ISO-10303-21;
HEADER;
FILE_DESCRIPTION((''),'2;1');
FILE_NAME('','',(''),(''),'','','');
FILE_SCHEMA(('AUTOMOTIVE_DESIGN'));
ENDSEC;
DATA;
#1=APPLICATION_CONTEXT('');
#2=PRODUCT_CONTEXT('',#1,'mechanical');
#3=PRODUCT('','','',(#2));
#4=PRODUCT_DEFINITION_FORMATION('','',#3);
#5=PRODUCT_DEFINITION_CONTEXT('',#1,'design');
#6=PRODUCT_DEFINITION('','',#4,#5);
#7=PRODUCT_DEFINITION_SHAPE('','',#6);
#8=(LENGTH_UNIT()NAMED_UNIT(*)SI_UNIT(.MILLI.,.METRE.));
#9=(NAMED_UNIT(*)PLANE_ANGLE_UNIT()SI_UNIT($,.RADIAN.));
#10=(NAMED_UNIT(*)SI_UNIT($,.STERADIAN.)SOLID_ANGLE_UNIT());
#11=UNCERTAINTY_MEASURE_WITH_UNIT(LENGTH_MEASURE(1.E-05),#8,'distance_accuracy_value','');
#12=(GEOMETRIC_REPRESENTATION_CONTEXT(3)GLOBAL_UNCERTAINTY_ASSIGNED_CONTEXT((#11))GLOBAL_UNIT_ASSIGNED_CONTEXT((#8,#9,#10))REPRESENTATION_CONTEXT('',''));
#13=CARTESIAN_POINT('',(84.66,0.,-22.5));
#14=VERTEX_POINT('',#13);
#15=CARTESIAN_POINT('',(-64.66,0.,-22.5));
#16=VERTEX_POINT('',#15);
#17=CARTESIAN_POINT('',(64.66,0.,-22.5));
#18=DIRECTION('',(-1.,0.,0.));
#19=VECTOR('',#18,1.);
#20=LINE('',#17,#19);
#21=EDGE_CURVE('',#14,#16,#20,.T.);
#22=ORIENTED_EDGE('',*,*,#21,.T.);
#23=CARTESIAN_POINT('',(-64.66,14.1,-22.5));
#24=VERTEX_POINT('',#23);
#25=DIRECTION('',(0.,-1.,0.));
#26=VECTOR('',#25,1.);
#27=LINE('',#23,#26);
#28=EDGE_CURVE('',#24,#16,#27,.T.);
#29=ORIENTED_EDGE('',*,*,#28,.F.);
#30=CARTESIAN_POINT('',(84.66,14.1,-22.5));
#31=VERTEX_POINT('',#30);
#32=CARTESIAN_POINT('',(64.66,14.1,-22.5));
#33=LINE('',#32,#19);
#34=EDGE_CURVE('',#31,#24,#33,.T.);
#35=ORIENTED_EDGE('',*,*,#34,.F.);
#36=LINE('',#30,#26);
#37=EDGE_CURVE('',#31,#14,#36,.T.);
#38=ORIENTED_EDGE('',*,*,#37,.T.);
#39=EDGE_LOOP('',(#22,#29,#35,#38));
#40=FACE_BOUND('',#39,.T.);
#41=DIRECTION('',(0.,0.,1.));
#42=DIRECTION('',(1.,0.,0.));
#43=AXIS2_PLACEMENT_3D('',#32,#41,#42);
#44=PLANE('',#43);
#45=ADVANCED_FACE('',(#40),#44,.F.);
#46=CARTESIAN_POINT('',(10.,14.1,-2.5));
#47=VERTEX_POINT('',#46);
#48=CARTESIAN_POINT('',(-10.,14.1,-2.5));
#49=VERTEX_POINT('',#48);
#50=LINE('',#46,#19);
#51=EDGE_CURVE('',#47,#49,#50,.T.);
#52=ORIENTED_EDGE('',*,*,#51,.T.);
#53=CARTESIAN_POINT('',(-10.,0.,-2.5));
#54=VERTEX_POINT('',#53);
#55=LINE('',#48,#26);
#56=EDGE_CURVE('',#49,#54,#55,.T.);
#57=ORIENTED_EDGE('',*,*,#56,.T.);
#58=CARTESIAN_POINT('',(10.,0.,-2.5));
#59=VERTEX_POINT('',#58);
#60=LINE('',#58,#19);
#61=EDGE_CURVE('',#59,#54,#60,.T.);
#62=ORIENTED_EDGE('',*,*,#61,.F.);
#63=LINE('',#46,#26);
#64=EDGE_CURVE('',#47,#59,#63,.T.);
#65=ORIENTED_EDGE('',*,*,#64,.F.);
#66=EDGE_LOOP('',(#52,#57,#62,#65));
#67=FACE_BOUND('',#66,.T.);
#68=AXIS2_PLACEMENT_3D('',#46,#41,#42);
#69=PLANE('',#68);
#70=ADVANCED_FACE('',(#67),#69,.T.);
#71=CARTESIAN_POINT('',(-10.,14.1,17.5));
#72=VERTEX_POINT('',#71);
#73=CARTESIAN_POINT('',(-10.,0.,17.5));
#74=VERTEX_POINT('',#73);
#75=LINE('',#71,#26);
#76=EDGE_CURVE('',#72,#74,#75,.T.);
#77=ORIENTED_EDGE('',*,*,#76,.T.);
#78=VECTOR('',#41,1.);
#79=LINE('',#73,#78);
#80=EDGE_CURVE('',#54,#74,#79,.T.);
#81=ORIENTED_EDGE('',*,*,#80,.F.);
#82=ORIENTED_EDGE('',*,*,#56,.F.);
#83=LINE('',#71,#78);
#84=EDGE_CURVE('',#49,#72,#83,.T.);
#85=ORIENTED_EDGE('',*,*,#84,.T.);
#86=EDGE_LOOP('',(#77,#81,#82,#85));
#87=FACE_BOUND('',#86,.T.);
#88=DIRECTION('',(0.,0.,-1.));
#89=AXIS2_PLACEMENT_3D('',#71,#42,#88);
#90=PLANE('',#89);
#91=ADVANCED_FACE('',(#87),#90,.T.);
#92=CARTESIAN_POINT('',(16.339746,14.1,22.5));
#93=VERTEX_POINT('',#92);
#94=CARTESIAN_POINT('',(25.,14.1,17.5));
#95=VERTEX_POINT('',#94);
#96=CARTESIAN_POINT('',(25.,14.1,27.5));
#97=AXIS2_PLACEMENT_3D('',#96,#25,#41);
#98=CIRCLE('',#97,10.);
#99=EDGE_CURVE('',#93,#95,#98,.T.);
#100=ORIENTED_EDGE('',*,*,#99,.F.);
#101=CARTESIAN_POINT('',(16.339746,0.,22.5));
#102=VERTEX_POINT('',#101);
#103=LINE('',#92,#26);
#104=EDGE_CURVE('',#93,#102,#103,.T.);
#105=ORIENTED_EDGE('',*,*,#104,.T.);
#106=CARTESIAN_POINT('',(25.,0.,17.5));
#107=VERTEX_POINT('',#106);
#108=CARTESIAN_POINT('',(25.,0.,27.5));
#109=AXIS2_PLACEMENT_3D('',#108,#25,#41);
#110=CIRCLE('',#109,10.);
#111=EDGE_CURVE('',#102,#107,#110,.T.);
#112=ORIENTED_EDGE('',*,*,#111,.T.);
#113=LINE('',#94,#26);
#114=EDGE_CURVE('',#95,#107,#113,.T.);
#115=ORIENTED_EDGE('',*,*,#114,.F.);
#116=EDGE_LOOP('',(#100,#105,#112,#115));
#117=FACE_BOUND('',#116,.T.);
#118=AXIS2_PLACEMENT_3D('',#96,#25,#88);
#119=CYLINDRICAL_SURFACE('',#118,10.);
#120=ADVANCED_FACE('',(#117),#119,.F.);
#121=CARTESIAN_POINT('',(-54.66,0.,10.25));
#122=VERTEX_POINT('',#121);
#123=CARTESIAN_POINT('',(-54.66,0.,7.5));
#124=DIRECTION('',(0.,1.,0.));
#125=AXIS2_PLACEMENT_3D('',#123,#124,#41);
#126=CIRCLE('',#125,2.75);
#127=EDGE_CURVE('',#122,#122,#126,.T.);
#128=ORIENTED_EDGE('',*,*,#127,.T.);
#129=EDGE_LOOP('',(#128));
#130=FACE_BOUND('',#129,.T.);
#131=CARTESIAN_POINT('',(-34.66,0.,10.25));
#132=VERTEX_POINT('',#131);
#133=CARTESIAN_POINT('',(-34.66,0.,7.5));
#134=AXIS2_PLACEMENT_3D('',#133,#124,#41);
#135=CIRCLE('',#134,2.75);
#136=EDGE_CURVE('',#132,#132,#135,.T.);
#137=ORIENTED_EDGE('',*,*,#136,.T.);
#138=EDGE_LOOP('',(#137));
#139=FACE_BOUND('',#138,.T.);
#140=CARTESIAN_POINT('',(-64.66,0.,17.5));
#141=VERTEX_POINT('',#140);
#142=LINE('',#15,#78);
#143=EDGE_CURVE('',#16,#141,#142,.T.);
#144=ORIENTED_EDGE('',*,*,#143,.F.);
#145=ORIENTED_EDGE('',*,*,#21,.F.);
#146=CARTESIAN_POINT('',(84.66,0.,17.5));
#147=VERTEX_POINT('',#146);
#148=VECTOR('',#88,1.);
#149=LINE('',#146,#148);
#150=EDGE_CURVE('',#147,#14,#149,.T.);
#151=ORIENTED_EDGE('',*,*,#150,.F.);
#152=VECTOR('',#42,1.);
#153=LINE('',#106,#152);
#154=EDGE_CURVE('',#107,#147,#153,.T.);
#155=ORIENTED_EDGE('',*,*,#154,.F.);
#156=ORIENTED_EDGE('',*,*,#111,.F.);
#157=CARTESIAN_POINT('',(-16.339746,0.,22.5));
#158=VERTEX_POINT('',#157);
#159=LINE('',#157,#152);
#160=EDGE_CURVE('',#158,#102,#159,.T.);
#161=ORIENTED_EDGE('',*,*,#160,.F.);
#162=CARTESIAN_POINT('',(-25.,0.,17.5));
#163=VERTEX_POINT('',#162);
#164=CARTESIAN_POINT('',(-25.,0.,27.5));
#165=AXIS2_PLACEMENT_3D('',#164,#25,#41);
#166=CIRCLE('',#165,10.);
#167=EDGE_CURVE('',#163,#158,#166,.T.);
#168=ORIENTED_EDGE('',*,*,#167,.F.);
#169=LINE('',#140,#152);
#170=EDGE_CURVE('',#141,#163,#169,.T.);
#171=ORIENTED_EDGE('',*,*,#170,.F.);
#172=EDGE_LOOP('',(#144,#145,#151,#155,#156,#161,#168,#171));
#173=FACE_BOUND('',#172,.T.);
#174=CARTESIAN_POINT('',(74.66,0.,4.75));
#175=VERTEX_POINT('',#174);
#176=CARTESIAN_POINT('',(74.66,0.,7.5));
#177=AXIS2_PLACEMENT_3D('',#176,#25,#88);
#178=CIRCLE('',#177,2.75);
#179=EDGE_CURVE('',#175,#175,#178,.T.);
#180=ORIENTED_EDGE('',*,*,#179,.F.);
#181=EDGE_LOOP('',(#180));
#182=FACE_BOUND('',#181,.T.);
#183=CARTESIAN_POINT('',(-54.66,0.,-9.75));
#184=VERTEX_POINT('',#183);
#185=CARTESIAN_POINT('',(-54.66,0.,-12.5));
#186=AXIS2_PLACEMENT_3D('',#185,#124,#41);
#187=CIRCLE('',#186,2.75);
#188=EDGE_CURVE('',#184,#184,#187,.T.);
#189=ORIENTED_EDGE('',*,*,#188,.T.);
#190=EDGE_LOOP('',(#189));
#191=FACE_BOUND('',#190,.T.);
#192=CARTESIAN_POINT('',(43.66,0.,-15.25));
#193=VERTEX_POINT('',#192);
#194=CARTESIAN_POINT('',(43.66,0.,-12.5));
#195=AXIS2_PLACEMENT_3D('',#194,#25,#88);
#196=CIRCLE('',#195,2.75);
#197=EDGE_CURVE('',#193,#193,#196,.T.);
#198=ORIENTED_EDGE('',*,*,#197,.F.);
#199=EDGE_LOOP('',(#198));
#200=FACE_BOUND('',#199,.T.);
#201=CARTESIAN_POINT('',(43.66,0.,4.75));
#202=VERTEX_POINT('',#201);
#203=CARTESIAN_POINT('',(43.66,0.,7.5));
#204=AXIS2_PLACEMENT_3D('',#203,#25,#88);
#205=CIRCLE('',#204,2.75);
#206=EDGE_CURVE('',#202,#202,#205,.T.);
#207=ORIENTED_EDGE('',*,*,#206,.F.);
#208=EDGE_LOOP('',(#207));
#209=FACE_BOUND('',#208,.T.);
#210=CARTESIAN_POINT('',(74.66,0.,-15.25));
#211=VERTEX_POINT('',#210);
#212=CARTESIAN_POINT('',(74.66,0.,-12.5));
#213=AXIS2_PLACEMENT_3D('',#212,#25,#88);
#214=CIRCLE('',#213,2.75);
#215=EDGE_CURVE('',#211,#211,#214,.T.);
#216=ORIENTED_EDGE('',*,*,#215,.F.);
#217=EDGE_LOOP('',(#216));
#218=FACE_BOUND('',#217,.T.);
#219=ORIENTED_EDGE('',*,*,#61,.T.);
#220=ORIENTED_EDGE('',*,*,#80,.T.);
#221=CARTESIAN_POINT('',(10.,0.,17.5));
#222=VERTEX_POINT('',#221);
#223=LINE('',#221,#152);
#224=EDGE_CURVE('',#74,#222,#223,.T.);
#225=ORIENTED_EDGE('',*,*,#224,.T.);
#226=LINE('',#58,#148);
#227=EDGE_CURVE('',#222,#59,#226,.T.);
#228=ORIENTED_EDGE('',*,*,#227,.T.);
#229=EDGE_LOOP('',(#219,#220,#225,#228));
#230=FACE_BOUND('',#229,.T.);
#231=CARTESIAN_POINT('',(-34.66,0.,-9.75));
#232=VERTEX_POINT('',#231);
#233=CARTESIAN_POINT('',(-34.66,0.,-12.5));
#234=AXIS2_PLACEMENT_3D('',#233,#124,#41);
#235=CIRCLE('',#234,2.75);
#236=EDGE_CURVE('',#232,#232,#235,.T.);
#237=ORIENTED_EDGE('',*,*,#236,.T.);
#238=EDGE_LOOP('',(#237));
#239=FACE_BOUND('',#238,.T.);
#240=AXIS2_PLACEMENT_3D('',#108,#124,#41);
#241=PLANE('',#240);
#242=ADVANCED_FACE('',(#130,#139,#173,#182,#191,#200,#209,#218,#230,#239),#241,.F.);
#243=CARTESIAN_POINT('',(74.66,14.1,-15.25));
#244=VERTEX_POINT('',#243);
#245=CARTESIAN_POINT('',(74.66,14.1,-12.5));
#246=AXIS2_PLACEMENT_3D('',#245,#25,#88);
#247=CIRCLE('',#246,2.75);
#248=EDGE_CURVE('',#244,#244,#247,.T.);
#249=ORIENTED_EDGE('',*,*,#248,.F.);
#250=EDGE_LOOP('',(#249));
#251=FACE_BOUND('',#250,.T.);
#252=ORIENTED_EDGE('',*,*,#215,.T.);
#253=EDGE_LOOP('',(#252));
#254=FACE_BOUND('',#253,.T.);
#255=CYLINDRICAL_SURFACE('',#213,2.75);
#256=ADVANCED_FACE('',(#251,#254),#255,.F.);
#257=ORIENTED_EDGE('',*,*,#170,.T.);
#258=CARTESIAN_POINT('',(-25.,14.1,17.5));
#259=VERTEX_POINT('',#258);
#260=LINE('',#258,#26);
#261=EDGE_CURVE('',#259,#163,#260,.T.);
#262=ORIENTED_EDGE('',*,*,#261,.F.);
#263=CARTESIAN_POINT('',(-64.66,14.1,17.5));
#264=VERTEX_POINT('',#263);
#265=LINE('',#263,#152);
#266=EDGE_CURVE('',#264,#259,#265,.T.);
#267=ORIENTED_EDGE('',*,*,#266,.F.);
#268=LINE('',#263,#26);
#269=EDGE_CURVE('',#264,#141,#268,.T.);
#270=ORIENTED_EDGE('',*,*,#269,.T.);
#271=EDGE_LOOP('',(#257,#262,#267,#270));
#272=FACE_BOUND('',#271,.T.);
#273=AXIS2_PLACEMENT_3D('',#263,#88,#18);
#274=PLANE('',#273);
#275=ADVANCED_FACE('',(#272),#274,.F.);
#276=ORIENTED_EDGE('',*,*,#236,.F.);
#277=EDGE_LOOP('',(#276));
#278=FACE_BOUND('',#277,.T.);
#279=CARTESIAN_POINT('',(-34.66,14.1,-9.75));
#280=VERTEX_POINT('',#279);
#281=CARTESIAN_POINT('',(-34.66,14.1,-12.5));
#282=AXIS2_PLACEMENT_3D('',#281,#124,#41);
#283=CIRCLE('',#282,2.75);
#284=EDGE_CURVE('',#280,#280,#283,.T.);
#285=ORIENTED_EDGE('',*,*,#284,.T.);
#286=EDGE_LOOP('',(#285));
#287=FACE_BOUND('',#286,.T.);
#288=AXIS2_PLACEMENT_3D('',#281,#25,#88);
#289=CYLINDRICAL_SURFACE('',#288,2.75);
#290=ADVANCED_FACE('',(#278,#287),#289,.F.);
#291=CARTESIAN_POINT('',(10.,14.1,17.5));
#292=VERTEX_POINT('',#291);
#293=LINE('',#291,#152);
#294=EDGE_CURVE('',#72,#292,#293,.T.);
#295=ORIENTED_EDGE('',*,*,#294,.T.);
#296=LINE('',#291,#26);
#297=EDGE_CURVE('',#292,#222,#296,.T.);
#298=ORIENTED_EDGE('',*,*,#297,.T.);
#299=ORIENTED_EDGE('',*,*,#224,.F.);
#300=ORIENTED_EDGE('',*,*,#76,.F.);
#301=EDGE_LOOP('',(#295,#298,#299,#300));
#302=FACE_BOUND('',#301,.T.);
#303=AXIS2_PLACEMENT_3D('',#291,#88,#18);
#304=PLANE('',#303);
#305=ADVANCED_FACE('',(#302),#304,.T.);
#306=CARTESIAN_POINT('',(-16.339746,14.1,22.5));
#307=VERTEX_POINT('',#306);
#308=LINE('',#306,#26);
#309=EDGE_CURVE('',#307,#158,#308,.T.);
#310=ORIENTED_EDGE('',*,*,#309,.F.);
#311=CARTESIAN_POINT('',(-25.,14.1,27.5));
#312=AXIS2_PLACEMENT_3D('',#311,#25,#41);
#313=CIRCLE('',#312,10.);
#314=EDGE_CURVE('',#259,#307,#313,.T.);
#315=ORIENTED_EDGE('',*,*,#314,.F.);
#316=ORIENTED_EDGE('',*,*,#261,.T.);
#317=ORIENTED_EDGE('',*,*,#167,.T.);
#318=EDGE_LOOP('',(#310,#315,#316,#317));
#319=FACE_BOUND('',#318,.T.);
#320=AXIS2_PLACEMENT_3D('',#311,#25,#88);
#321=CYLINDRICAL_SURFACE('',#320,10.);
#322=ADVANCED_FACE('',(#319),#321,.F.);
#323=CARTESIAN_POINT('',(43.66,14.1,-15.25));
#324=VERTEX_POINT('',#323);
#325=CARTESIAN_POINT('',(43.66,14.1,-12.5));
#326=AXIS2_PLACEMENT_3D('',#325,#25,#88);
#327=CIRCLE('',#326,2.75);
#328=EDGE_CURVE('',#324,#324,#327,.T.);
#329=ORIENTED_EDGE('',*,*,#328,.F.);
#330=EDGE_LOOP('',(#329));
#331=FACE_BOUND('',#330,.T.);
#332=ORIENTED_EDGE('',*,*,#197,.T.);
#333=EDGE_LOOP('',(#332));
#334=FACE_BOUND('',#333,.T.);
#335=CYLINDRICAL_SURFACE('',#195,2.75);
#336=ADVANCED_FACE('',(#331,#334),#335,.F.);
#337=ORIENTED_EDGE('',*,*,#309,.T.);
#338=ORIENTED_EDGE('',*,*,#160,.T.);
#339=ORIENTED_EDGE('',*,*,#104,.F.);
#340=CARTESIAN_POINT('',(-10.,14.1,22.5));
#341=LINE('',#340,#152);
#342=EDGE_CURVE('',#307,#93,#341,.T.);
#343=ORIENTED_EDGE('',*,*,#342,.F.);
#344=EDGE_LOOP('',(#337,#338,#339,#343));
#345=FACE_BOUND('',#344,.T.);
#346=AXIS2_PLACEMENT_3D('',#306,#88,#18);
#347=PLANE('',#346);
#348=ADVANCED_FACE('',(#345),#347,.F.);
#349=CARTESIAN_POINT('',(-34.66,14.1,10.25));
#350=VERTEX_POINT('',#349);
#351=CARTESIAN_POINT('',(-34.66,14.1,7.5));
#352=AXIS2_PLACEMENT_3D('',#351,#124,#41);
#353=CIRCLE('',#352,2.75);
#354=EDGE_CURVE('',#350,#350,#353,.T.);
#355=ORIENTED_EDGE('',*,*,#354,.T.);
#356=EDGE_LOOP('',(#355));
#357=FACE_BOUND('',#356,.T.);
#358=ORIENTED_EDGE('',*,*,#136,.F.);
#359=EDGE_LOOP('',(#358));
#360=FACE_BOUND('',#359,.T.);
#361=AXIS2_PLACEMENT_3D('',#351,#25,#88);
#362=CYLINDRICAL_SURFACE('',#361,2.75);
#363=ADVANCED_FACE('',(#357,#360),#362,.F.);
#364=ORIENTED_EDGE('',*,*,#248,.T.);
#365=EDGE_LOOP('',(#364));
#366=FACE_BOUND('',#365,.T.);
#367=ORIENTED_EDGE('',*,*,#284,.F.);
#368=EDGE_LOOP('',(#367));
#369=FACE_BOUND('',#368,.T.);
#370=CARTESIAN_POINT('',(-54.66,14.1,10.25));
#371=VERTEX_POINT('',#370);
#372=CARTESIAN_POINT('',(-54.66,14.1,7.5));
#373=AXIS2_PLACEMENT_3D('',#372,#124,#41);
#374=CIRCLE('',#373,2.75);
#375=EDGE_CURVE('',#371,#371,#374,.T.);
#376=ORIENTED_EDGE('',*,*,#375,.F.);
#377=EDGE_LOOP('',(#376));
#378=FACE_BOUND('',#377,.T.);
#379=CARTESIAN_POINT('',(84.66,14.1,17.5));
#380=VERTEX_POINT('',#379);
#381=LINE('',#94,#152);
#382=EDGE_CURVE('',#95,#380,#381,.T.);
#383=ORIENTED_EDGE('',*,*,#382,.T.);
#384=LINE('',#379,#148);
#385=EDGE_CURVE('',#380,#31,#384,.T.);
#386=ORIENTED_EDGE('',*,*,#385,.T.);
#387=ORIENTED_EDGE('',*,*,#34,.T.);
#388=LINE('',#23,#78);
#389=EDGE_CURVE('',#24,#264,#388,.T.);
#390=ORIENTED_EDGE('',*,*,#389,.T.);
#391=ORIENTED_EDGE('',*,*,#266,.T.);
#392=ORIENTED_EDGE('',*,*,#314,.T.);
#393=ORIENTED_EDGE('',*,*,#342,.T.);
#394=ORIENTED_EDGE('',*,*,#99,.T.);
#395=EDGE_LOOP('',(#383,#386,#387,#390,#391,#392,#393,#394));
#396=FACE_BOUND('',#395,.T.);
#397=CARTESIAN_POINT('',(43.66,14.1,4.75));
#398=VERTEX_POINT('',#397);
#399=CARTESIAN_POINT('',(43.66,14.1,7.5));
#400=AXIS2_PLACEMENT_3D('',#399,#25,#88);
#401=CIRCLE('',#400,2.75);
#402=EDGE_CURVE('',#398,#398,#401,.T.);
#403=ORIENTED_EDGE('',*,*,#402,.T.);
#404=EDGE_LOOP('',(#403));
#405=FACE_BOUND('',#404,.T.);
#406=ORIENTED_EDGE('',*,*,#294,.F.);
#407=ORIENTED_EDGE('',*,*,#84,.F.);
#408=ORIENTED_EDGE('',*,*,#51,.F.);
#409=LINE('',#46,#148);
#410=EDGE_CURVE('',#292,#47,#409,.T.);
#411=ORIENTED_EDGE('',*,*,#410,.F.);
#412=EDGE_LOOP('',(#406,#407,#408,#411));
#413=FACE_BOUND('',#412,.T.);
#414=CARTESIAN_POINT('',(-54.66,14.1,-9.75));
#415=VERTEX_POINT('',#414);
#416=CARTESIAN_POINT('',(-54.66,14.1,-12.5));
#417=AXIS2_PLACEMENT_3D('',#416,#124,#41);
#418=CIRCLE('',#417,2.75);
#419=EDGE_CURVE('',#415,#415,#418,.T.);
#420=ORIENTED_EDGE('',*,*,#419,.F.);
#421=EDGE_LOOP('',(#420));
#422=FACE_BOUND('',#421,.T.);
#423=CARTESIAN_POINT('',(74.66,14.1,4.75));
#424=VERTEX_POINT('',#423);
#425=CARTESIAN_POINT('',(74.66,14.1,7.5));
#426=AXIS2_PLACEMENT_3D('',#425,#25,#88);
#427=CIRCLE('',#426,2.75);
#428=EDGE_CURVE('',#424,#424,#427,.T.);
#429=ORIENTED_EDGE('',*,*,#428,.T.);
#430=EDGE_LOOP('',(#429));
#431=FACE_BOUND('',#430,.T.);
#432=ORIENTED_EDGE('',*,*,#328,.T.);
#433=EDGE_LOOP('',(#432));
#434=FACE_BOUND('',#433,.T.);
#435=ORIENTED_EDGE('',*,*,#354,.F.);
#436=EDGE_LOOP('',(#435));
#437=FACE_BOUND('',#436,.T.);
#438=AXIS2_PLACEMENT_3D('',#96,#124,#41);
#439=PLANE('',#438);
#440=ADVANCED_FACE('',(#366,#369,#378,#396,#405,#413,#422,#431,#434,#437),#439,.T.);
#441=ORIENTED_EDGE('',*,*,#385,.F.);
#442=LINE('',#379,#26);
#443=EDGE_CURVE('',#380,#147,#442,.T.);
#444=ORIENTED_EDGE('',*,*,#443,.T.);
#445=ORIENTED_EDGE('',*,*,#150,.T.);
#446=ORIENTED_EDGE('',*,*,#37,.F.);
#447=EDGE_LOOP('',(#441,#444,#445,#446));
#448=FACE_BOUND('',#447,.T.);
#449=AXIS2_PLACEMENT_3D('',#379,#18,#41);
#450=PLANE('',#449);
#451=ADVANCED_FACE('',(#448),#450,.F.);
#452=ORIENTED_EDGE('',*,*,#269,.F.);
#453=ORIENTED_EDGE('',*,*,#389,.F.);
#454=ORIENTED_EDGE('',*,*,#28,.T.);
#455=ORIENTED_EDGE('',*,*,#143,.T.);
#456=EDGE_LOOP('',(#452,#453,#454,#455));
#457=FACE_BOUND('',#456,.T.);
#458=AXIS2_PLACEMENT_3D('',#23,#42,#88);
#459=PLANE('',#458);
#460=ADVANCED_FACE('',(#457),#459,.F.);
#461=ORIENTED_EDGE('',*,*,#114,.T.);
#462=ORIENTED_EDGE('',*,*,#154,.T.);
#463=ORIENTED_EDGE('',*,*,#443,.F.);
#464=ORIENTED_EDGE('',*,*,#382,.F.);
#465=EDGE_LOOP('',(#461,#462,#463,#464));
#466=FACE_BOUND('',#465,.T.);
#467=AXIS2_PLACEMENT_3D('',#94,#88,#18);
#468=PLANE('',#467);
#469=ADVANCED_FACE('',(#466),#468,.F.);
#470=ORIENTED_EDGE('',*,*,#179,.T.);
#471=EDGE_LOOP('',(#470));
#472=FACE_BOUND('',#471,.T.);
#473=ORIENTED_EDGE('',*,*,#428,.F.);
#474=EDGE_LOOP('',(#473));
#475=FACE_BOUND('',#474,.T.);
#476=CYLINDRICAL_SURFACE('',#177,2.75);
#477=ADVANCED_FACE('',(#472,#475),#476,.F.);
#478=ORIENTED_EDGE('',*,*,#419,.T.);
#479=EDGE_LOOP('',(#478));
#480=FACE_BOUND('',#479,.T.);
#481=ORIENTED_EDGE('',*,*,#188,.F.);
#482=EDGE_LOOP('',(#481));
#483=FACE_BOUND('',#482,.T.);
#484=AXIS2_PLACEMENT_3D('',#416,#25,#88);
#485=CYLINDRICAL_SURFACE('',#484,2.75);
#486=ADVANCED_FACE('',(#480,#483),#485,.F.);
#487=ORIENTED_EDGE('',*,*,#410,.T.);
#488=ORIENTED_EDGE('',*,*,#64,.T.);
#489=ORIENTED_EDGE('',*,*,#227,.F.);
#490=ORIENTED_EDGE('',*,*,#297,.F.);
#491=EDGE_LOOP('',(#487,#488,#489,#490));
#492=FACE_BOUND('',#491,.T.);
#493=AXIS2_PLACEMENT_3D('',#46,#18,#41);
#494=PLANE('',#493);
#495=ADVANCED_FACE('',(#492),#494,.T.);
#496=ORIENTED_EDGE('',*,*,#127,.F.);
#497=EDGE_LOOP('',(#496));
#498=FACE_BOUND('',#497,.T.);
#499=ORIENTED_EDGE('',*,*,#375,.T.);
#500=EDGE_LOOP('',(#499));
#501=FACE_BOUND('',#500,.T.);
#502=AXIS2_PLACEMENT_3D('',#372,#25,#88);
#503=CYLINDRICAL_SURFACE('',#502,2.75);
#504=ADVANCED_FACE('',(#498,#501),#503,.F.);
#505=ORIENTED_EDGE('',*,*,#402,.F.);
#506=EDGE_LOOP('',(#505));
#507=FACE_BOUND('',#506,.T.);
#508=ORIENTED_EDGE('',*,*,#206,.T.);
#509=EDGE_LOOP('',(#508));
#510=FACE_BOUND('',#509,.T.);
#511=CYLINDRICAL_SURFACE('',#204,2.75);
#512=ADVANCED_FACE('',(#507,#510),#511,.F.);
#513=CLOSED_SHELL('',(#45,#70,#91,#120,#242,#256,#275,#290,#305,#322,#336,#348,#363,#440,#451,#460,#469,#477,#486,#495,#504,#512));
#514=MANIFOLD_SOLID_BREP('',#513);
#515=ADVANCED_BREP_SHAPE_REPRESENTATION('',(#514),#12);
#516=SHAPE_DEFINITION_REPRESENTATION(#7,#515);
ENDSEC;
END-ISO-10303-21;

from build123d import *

# Parameters (mm, degrees)
SKETCH1_R            = 2.75
SKETCH1_W            = 20
SKETCH1_H            = 20
BOSS_EXTRUDE1_DEPTH  = 14.1
MOVE_FACE1_BY        = 20
SKETCH6_W            = 30.987343285
SKETCH6_H            = 33.189068773
BOSS_EXTRUDE2_DEPTH  = 14.1
M5_CLEARANCE_HOLE2_D = 5.5


with BuildPart() as part:
    # Sketch1 → Boss-Extrude1 (new body)
    with BuildSketch(Plane(origin=(0, 0, 0), x_dir=(1, 0, 0), z_dir=(0, 1, 0))):
        with BuildLine():
            Line((10, -22.5), (16.339745962, -22.5))
            ThreePointArc((16.339745962, -22.5), (20, -18.839745962), (25, -17.5))
            Line((25, -17.5), (64.66, -17.5))
            Line((64.66, -17.5), (64.66, 22.5))
            Line((64.66, 22.5), (-64.66, 22.5))
            Line((-64.66, 22.5), (-64.66, -17.5))
            Line((-64.66, -17.5), (-25, -17.5))
            ThreePointArc((-25, -17.5), (-20, -18.839745962), (-16.339745962, -22.5))
            Line((-16.339745962, -22.5), (-10, -22.5))
            Line((-10, -22.5), (10, -22.5))
        make_face()
        with Locations(Location((34.66, 12.5, 0), (0, 0, 270))):
            Circle(SKETCH1_R, mode=Mode.SUBTRACT)
        with Locations(Location((34.66, -7.5, 0), (0, 0, 270))):
            Circle(SKETCH1_R, mode=Mode.SUBTRACT)
        with Locations(Location((54.66, -7.5, 0), (0, 0, 270))):
            Circle(SKETCH1_R, mode=Mode.SUBTRACT)
        with Locations(Location((54.66, 12.5, 0), (0, 0, 270))):
            Circle(SKETCH1_R, mode=Mode.SUBTRACT)
        with Locations(Location((-54.66, -7.5, 0), (0, 0, 270))):
            Circle(SKETCH1_R, mode=Mode.SUBTRACT)
        with Locations(Location((-34.66, 12.5, 0), (0, 0, 270))):
            Circle(SKETCH1_R, mode=Mode.SUBTRACT)
        with Locations(Location((-54.66, 12.5, 0), (0, 0, 270))):
            Circle(SKETCH1_R, mode=Mode.SUBTRACT)
        with Locations(Location((-34.66, -7.5, 0), (0, 0, 270))):
            Circle(SKETCH1_R, mode=Mode.SUBTRACT)
        with Locations((0, -7.5)):
            Rectangle(SKETCH1_W, SKETCH1_H, mode=Mode.SUBTRACT)
    extrude(amount=BOSS_EXTRUDE1_DEPTH)

    # Move Face1: a face moved outward by 20.0
    extrude(part.faces().sort_by_distance((64.66, 7.05, -2.5))[0], amount=MOVE_FACE1_BY, dir=(1, 0, 0))

    # Sketch6 → Boss-Extrude2 (add)
    with BuildSketch(Plane.XZ):
        with Locations((43.846371015, -2.215029501)):
            Rectangle(SKETCH6_W, SKETCH6_H)
    extrude(amount=-BOSS_EXTRUDE2_DEPTH)

    # M5 Clearance Hole2 (through all)
    with Locations(Plane(origin=(0, 0, 0), x_dir=(-1, 0, 0), z_dir=(0, -1, 0))):
        with Locations((-74.66, -7.5), (-43.66, -7.5), (-43.66, 12.5), (-74.66, 12.5)):
            Hole(M5_CLEARANCE_HOLE2_D / 2)


solid = part.part
